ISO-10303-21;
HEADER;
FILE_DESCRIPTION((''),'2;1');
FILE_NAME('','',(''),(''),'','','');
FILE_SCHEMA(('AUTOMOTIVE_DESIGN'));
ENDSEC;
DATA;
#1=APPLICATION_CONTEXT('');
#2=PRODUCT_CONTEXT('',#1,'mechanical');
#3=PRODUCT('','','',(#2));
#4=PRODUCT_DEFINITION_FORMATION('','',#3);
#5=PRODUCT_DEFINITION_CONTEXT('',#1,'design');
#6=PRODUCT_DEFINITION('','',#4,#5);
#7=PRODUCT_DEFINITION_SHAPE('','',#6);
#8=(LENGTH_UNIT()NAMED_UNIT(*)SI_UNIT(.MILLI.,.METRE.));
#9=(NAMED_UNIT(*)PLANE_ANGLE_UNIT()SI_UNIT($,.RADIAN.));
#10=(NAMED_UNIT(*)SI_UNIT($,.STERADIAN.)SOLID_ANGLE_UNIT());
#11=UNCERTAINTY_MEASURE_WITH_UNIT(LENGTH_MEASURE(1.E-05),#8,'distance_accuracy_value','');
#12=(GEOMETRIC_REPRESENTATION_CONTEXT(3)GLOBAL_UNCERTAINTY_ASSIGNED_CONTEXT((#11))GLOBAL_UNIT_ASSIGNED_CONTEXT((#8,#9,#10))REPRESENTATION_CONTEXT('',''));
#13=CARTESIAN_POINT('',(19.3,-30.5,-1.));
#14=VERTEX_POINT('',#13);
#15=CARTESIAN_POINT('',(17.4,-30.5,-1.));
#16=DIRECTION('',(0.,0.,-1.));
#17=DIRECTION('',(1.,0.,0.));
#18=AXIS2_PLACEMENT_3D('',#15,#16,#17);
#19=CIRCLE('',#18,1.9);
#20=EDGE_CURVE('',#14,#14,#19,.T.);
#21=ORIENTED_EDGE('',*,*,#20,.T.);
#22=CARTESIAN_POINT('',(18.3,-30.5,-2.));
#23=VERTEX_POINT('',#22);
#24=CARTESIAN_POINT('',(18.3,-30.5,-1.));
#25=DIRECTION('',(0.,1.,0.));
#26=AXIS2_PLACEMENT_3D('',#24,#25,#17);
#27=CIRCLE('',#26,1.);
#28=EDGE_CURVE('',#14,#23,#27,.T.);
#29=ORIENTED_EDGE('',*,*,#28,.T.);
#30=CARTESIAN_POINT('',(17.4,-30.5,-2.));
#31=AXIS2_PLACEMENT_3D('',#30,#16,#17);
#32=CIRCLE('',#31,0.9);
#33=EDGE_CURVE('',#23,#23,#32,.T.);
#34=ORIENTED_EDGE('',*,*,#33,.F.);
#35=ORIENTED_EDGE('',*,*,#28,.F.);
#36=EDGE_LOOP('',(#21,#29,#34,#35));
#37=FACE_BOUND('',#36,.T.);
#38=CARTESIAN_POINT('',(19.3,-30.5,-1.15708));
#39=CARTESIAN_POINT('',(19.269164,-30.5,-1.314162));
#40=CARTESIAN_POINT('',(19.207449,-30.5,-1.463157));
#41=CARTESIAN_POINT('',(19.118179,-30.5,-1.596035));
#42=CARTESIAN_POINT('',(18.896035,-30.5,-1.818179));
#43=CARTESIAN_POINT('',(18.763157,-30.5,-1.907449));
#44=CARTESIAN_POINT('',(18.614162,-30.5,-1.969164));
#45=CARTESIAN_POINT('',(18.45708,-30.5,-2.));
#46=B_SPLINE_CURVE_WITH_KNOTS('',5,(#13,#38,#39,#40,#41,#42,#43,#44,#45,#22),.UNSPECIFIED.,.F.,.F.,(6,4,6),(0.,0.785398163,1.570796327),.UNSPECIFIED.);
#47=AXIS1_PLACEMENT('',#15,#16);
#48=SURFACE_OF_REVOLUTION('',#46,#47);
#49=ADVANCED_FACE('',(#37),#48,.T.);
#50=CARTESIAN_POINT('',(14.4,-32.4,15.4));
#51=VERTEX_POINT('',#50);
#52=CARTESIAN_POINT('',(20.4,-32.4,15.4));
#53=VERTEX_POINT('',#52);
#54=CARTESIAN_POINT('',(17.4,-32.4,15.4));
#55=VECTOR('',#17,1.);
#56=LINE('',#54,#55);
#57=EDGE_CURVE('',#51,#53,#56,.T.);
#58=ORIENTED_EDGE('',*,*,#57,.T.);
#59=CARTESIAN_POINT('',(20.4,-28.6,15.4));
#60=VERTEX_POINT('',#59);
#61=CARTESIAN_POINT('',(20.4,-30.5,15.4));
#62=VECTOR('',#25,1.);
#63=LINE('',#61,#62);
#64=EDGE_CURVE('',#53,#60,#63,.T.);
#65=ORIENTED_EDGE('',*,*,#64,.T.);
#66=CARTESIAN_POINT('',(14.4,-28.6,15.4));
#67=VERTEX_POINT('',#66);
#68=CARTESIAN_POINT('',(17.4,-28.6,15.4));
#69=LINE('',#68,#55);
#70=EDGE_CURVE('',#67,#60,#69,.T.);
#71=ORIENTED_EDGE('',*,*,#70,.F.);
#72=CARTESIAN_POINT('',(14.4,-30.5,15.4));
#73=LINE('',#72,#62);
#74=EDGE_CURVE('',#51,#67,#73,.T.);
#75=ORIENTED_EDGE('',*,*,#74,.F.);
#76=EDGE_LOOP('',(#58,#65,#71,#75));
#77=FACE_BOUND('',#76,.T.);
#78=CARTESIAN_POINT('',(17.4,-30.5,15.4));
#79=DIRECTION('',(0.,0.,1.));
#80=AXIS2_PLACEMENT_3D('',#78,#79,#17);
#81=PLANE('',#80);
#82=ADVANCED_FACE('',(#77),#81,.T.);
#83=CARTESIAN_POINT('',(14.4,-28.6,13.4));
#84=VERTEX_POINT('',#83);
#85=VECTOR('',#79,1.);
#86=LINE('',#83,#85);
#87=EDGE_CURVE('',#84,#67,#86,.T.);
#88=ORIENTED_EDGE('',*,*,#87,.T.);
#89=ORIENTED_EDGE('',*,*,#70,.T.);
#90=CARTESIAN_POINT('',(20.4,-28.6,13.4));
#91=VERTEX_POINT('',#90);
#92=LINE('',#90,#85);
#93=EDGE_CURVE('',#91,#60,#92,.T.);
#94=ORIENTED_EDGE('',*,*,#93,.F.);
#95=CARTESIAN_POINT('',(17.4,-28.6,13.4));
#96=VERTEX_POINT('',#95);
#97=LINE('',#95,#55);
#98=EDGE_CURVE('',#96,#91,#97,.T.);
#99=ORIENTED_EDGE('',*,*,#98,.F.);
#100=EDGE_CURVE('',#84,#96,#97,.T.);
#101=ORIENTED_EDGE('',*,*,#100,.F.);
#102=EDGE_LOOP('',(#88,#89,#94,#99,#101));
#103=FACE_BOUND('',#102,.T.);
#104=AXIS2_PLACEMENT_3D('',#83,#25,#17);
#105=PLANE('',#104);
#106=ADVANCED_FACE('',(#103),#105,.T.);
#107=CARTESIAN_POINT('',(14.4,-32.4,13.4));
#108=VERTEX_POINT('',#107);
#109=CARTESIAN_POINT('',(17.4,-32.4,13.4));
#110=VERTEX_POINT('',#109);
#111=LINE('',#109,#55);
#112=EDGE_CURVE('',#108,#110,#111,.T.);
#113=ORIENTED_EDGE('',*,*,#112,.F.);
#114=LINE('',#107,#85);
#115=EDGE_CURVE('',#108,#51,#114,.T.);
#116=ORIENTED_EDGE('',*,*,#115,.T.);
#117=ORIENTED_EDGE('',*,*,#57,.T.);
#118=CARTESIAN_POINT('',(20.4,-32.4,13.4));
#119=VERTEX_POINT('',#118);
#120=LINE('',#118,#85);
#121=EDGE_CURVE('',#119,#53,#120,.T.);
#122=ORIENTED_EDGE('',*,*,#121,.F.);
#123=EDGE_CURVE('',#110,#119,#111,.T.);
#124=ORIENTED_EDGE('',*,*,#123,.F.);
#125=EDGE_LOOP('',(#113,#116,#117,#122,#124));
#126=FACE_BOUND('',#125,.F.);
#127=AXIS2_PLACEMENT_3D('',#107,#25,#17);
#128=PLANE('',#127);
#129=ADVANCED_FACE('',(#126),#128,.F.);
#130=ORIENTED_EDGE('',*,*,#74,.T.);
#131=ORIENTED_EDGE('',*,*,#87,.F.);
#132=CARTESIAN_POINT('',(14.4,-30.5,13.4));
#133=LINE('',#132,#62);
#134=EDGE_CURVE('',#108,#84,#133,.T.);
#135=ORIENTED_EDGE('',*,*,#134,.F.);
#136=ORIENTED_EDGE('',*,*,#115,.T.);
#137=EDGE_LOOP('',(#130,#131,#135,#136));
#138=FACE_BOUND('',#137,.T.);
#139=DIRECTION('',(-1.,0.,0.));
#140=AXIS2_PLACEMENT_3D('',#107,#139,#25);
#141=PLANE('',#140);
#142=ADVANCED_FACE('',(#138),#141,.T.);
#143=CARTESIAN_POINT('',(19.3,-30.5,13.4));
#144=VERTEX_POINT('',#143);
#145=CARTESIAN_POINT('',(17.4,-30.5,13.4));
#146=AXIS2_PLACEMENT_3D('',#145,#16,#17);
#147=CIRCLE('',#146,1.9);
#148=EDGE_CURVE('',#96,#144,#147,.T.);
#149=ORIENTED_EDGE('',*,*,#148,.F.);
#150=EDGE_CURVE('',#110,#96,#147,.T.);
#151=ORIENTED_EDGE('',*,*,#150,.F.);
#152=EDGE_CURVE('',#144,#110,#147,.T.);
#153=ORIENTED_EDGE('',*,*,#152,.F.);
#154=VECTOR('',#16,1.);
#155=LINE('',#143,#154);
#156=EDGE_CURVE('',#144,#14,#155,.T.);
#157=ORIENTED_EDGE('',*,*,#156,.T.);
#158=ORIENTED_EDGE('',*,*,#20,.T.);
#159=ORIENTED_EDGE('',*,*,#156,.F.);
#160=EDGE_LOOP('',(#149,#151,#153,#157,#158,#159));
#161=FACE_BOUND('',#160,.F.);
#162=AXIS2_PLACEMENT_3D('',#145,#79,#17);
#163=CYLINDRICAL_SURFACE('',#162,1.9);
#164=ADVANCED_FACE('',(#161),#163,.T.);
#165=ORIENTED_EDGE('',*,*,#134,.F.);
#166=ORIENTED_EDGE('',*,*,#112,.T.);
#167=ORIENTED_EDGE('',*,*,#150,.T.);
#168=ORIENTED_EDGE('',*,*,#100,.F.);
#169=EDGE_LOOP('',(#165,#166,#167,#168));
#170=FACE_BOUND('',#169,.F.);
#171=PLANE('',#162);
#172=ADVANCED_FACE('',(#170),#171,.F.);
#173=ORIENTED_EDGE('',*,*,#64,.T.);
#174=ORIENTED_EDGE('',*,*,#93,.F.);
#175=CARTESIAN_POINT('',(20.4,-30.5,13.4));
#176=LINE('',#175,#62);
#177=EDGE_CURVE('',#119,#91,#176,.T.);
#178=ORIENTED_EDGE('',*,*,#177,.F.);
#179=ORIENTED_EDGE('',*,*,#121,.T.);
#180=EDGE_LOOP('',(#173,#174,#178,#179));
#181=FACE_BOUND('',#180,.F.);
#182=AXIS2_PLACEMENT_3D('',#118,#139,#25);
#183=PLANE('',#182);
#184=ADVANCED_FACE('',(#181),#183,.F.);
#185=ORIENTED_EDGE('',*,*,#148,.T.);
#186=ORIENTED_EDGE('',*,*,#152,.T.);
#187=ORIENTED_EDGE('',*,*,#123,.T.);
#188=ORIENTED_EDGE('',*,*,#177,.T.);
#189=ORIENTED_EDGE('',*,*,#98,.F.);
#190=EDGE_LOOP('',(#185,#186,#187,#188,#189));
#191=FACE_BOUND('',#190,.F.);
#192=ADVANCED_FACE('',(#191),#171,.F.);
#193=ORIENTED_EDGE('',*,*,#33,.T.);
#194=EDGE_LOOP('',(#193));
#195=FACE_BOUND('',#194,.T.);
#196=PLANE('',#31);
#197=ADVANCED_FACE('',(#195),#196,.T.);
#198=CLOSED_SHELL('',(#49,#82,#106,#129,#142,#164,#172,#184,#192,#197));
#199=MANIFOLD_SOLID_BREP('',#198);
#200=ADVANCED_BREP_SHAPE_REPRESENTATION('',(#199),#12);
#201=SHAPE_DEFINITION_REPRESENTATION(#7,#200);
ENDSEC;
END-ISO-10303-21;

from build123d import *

# Parameters (mm, degrees)
SKETCH030_W  = 6
SKETCH030_H  = 3.8
PAD013_DEPTH = 2
SKETCH034_R  = 1.9
PAD017_DEPTH = 15.4
FILLET013_R  = 1


with BuildPart() as part:
    # Sketch030 → Pad013 (new body)
    with BuildSketch(Plane.XY.offset(13.4)):
        with Locations((17.4, -30.5)):
            Rectangle(SKETCH030_W, SKETCH030_H)
    extrude(amount=PAD013_DEPTH)

    # Sketch034 (on Face5 of Pad013) → Pad017 (join)
    with BuildSketch(Plane(origin=(0, 0, 13.4), x_dir=(1, 0, 0), z_dir=(0, 0, -1))):
        with Locations((17.4, 30.5)):
            Circle(SKETCH034_R)
    extrude(amount=PAD017_DEPTH)

    # Fillet013
    fillet013_edges = [part.edges().sort_by_distance(p)[0] for p in [
        (15.5, -30.5, -2),
    ]]
    fillet(fillet013_edges, radius=FILLET013_R)


solid = part.part
